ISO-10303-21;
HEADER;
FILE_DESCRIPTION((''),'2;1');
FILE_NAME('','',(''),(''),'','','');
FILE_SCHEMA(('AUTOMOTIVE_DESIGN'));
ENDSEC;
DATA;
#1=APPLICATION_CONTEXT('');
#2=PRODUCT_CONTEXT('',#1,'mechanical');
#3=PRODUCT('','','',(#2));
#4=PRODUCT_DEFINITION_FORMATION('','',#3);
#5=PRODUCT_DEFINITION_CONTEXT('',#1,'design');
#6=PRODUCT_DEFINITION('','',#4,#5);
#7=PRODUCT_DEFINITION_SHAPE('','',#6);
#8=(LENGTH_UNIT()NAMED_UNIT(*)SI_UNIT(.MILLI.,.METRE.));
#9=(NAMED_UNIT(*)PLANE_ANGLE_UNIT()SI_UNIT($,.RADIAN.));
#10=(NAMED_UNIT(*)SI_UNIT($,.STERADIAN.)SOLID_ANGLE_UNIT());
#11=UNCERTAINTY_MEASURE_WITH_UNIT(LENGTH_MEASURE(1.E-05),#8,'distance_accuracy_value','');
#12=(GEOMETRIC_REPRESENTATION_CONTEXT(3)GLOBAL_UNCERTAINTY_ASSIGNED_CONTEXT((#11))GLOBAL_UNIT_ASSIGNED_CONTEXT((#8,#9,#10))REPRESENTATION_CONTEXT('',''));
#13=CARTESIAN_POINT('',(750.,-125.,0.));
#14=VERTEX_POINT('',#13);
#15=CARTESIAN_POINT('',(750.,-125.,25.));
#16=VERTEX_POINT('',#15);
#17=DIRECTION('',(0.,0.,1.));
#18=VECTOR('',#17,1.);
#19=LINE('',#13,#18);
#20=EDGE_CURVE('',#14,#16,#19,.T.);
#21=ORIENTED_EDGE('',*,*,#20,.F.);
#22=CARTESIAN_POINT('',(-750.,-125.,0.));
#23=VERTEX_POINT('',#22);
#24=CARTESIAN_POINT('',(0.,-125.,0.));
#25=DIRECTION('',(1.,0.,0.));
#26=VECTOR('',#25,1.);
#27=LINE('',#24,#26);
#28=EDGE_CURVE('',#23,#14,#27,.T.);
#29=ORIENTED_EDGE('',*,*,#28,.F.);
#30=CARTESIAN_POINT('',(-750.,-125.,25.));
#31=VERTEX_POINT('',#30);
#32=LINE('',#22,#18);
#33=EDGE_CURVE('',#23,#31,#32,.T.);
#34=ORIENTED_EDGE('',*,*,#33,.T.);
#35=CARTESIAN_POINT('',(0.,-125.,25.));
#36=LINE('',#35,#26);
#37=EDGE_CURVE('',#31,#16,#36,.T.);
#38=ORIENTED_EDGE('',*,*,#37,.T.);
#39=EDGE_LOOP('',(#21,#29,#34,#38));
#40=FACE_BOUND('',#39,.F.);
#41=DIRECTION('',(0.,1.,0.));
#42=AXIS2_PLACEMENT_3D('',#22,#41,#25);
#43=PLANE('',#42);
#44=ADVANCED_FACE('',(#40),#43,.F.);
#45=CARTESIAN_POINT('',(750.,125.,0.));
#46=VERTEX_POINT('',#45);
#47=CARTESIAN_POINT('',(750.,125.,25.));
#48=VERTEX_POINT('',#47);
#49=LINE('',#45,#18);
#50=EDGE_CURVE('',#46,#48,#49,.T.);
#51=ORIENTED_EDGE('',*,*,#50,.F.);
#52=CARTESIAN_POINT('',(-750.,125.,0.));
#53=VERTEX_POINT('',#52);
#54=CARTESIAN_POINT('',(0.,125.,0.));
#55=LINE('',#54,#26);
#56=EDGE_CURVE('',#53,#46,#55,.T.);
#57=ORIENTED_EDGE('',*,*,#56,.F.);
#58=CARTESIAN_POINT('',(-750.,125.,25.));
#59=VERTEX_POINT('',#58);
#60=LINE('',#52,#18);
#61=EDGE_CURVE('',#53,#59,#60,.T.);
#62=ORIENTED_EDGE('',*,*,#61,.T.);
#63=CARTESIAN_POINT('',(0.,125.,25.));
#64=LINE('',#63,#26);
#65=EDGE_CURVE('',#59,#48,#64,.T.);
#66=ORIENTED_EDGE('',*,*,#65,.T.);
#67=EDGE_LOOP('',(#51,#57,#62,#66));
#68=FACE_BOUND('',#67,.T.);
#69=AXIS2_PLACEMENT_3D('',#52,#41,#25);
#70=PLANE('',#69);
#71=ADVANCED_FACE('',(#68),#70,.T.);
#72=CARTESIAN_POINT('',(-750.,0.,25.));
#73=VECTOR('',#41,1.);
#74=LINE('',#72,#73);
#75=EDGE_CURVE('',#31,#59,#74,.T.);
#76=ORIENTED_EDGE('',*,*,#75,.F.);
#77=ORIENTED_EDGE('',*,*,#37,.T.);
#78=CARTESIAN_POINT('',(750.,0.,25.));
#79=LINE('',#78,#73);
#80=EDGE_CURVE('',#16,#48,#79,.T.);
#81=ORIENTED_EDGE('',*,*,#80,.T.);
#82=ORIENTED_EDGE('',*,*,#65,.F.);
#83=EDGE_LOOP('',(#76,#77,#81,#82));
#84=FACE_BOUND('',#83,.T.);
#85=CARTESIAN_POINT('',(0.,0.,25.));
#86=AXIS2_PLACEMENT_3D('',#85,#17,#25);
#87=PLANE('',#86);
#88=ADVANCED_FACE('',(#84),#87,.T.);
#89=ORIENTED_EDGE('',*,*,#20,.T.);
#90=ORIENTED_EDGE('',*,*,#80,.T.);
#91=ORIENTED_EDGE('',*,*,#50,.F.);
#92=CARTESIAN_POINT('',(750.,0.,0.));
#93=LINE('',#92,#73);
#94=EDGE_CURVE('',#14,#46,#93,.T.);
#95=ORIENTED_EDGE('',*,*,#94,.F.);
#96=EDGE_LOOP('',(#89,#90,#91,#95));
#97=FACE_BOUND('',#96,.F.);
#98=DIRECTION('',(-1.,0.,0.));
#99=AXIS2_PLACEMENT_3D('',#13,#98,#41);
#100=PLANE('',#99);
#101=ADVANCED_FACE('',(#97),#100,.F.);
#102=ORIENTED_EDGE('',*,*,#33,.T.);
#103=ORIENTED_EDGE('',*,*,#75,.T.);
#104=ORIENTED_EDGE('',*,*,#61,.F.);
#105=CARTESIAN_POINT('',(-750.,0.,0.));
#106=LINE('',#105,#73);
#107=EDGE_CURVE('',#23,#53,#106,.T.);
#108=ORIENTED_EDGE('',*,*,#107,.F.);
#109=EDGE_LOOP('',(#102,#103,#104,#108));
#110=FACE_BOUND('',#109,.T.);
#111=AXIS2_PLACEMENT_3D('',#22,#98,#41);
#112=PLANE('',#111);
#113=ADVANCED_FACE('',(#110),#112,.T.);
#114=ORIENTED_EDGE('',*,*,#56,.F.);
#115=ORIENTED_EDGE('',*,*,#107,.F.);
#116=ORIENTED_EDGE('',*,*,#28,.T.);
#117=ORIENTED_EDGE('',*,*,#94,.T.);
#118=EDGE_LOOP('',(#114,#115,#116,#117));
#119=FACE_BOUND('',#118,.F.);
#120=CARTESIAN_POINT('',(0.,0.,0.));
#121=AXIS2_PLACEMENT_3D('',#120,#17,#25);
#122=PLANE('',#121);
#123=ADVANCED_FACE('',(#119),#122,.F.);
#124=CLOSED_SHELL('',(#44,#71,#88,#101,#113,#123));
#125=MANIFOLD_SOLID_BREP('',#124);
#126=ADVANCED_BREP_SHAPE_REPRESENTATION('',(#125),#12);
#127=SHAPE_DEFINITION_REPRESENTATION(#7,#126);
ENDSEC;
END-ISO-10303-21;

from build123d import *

# Parameters (mm, degrees)
F0_W     = 1500
F0_H     = 250
F0_W_2   = 1480
F0_H_2   = 230
F1_DEPTH = 25


with BuildPart() as f1:
    # F0 (on Top) → F1 (new body)
    with BuildSketch(Plane.XY):
        Rectangle(F0_W, F0_H)
        Rectangle(F0_W_2, F0_H_2, mode=Mode.SUBTRACT)
        Rectangle(F0_W_2, F0_H_2)
    extrude(amount=F1_DEPTH)


solid = f1.part
